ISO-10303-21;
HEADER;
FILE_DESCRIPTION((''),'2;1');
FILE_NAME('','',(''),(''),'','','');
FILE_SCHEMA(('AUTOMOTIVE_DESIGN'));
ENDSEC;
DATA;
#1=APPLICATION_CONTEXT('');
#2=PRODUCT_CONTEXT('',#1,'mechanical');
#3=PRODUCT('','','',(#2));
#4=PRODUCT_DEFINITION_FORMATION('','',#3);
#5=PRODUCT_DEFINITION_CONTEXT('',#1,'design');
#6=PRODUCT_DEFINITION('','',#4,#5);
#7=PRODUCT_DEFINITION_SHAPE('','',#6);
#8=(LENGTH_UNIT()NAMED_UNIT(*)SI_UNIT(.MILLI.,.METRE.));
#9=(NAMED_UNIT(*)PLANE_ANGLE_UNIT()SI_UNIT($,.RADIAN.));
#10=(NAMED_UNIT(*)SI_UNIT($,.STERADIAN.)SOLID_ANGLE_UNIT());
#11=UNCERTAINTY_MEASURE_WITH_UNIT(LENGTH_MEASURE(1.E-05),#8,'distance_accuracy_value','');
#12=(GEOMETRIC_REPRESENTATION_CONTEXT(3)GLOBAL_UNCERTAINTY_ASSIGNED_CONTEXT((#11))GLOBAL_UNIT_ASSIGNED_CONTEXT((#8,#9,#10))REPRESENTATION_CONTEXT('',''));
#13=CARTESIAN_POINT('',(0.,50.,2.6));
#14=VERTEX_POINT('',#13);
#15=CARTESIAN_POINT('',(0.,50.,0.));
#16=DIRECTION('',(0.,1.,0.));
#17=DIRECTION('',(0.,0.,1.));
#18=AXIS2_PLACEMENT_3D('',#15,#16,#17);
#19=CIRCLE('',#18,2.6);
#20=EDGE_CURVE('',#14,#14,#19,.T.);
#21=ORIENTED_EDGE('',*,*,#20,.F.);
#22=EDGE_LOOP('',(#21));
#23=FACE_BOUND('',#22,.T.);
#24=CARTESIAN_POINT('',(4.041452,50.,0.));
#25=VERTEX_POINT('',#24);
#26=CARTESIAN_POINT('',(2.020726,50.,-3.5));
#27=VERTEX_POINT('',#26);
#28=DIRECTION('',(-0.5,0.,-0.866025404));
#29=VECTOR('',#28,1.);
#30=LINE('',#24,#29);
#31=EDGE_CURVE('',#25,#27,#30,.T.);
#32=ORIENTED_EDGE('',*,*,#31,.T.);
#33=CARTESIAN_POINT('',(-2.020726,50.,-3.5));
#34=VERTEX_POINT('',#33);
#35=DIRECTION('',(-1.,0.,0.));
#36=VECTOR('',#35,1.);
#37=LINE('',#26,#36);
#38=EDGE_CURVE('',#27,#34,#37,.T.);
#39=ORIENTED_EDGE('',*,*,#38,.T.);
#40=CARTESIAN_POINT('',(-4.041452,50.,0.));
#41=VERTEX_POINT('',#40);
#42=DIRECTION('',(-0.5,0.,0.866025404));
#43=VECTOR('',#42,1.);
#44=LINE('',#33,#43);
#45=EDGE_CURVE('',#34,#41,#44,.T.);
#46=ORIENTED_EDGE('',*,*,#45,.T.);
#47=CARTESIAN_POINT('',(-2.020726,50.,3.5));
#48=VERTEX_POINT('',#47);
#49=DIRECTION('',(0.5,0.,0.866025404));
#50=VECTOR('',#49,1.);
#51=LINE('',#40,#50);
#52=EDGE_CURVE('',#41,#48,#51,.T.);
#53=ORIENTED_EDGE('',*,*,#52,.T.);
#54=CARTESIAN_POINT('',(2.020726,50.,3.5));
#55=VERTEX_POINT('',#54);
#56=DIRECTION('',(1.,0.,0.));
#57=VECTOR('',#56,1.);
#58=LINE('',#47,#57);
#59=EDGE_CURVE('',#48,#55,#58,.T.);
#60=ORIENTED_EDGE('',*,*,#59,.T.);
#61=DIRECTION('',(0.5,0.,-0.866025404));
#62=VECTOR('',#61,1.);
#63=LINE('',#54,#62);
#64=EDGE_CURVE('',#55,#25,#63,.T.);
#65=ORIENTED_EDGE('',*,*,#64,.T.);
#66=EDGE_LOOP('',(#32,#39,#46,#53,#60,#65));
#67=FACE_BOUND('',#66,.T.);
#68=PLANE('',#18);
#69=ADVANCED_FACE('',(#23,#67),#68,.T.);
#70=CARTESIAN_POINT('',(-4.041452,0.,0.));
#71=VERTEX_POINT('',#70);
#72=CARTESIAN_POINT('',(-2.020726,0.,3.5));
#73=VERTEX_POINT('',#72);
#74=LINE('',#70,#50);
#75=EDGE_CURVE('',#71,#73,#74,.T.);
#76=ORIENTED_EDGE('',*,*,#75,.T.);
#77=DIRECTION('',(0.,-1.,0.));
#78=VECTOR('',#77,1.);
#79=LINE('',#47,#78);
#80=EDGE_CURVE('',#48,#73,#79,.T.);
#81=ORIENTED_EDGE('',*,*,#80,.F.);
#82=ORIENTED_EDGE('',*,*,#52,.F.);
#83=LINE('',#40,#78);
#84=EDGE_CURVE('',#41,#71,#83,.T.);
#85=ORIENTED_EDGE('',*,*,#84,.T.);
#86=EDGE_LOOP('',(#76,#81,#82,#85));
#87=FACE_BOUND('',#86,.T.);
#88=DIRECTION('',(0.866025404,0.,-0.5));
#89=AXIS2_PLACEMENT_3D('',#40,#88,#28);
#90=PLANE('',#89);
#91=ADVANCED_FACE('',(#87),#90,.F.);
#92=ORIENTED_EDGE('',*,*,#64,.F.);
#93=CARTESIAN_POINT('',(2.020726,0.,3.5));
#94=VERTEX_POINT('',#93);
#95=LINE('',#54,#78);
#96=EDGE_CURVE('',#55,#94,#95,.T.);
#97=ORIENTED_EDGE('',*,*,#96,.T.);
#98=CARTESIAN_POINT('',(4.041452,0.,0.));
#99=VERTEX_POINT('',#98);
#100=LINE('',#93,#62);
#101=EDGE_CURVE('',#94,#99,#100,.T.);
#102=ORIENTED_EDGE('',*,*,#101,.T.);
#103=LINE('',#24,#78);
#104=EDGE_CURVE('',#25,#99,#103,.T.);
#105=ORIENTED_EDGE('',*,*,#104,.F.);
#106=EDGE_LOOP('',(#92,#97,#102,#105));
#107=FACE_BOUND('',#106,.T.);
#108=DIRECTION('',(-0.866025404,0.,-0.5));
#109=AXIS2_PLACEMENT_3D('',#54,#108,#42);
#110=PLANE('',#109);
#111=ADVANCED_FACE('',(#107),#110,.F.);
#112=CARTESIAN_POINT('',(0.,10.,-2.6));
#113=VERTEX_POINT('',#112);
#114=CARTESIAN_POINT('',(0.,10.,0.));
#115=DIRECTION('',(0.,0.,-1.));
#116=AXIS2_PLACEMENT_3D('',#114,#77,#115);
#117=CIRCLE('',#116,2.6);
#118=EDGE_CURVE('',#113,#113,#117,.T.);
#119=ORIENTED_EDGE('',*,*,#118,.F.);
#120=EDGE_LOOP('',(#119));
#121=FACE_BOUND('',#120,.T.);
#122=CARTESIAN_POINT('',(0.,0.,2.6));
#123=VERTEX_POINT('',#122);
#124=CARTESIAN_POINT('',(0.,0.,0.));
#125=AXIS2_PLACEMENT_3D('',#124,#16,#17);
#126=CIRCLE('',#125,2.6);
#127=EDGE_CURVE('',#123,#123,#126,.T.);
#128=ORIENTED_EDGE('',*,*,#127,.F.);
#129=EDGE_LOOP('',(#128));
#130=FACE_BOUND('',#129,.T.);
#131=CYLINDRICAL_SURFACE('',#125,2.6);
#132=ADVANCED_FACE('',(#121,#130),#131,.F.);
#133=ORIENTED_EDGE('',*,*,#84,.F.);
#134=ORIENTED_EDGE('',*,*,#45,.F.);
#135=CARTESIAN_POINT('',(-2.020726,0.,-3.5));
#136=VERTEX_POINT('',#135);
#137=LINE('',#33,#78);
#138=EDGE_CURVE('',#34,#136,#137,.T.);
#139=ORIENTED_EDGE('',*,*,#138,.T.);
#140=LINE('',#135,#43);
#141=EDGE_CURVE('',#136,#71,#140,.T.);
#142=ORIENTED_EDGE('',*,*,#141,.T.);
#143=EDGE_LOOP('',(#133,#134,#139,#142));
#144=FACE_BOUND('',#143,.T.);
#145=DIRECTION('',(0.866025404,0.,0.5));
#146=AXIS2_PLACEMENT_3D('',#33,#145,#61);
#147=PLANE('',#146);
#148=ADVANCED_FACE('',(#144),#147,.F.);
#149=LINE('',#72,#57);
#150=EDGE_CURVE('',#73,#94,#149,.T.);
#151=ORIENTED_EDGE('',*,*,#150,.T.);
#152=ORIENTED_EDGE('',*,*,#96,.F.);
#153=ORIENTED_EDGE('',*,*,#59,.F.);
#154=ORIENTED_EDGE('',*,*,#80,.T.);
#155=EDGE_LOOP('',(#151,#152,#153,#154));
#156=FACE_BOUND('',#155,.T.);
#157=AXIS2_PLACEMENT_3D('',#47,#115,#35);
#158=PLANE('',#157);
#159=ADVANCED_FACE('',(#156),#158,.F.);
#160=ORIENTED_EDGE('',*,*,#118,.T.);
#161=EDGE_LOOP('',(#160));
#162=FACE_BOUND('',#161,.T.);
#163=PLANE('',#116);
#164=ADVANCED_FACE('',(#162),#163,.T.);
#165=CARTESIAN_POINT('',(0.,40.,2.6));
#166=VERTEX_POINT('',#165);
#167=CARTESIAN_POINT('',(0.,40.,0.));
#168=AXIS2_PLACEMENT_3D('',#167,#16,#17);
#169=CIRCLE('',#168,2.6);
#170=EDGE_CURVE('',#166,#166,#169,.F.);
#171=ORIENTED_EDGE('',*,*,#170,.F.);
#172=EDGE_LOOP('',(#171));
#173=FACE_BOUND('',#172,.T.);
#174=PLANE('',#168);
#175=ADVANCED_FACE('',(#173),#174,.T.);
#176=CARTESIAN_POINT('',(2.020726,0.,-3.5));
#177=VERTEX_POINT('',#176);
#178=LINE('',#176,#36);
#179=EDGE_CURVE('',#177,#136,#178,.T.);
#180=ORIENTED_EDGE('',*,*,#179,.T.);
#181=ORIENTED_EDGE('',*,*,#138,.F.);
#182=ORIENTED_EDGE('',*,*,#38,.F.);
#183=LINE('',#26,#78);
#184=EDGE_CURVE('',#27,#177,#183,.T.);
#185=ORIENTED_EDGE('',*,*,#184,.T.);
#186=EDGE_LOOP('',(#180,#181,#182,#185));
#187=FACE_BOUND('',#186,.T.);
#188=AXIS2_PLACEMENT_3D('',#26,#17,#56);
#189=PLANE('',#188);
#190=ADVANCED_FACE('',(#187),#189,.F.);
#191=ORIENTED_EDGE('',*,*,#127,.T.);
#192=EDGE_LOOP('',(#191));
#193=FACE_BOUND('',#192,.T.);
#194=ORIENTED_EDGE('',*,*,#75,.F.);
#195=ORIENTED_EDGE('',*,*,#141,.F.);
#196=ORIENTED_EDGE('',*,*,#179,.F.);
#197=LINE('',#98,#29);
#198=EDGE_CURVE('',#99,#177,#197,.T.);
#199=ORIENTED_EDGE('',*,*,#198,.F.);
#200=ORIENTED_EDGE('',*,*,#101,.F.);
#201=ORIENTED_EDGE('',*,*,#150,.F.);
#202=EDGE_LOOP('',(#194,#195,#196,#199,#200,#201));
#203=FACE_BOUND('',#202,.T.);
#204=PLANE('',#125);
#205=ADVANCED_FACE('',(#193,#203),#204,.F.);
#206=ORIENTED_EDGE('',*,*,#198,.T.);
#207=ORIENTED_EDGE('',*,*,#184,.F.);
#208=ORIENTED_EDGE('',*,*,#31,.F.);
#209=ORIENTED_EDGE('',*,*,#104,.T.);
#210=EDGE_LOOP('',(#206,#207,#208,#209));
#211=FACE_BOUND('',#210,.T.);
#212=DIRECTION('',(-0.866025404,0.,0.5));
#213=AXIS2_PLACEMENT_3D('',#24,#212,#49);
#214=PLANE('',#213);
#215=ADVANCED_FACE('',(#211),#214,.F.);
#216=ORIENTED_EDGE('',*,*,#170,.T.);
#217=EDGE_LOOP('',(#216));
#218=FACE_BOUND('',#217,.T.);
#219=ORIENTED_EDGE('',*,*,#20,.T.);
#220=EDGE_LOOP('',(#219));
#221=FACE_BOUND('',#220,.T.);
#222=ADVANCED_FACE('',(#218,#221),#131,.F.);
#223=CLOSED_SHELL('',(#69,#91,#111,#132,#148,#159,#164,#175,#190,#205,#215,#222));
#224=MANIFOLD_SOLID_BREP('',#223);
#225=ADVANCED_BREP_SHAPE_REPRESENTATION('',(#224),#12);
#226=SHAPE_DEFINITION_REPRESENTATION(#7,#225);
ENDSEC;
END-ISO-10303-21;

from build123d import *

# Parameters (mm, degrees)
EXTRUDE_1_DEPTH     = 50
SKETCH_2_R          = 2.6
CUT_EXTRUDE_1_DEPTH = 51
SKETCH_3_R          = 2.6
EXTRUDE_2_DEPTH     = 30


with BuildPart() as part:
    # 草图1 → 凸台-拉伸1 (new body)
    with BuildSketch(Plane(origin=(0, 0, 0), x_dir=(1, 0, 0), z_dir=(0, 1, 0))):
        Polygon((4.041451884, 0), (2.020725942, 3.5), (-2.020725942, 3.5), (-4.041451884, 0), (-2.020725942, -3.5), (2.020725942, -3.5), align=None)
    extrude(amount=EXTRUDE_1_DEPTH)

    # 草图2 → 切除-拉伸1 (cut, through all)
    with BuildSketch(Plane(origin=(0, 50, 0), x_dir=(1, 0, 0), z_dir=(0, 1, 0))):
        Circle(SKETCH_2_R)
    extrude(amount=-CUT_EXTRUDE_1_DEPTH, mode=Mode.SUBTRACT)

    # 草图3 → 凸台-拉伸2 (add)
    with BuildSketch(Plane(origin=(0, 10, 0), x_dir=(-1, 0, 0), z_dir=(0, -1, 0))):
        Circle(SKETCH_3_R)
    extrude(amount=-EXTRUDE_2_DEPTH)


solid = part.part
